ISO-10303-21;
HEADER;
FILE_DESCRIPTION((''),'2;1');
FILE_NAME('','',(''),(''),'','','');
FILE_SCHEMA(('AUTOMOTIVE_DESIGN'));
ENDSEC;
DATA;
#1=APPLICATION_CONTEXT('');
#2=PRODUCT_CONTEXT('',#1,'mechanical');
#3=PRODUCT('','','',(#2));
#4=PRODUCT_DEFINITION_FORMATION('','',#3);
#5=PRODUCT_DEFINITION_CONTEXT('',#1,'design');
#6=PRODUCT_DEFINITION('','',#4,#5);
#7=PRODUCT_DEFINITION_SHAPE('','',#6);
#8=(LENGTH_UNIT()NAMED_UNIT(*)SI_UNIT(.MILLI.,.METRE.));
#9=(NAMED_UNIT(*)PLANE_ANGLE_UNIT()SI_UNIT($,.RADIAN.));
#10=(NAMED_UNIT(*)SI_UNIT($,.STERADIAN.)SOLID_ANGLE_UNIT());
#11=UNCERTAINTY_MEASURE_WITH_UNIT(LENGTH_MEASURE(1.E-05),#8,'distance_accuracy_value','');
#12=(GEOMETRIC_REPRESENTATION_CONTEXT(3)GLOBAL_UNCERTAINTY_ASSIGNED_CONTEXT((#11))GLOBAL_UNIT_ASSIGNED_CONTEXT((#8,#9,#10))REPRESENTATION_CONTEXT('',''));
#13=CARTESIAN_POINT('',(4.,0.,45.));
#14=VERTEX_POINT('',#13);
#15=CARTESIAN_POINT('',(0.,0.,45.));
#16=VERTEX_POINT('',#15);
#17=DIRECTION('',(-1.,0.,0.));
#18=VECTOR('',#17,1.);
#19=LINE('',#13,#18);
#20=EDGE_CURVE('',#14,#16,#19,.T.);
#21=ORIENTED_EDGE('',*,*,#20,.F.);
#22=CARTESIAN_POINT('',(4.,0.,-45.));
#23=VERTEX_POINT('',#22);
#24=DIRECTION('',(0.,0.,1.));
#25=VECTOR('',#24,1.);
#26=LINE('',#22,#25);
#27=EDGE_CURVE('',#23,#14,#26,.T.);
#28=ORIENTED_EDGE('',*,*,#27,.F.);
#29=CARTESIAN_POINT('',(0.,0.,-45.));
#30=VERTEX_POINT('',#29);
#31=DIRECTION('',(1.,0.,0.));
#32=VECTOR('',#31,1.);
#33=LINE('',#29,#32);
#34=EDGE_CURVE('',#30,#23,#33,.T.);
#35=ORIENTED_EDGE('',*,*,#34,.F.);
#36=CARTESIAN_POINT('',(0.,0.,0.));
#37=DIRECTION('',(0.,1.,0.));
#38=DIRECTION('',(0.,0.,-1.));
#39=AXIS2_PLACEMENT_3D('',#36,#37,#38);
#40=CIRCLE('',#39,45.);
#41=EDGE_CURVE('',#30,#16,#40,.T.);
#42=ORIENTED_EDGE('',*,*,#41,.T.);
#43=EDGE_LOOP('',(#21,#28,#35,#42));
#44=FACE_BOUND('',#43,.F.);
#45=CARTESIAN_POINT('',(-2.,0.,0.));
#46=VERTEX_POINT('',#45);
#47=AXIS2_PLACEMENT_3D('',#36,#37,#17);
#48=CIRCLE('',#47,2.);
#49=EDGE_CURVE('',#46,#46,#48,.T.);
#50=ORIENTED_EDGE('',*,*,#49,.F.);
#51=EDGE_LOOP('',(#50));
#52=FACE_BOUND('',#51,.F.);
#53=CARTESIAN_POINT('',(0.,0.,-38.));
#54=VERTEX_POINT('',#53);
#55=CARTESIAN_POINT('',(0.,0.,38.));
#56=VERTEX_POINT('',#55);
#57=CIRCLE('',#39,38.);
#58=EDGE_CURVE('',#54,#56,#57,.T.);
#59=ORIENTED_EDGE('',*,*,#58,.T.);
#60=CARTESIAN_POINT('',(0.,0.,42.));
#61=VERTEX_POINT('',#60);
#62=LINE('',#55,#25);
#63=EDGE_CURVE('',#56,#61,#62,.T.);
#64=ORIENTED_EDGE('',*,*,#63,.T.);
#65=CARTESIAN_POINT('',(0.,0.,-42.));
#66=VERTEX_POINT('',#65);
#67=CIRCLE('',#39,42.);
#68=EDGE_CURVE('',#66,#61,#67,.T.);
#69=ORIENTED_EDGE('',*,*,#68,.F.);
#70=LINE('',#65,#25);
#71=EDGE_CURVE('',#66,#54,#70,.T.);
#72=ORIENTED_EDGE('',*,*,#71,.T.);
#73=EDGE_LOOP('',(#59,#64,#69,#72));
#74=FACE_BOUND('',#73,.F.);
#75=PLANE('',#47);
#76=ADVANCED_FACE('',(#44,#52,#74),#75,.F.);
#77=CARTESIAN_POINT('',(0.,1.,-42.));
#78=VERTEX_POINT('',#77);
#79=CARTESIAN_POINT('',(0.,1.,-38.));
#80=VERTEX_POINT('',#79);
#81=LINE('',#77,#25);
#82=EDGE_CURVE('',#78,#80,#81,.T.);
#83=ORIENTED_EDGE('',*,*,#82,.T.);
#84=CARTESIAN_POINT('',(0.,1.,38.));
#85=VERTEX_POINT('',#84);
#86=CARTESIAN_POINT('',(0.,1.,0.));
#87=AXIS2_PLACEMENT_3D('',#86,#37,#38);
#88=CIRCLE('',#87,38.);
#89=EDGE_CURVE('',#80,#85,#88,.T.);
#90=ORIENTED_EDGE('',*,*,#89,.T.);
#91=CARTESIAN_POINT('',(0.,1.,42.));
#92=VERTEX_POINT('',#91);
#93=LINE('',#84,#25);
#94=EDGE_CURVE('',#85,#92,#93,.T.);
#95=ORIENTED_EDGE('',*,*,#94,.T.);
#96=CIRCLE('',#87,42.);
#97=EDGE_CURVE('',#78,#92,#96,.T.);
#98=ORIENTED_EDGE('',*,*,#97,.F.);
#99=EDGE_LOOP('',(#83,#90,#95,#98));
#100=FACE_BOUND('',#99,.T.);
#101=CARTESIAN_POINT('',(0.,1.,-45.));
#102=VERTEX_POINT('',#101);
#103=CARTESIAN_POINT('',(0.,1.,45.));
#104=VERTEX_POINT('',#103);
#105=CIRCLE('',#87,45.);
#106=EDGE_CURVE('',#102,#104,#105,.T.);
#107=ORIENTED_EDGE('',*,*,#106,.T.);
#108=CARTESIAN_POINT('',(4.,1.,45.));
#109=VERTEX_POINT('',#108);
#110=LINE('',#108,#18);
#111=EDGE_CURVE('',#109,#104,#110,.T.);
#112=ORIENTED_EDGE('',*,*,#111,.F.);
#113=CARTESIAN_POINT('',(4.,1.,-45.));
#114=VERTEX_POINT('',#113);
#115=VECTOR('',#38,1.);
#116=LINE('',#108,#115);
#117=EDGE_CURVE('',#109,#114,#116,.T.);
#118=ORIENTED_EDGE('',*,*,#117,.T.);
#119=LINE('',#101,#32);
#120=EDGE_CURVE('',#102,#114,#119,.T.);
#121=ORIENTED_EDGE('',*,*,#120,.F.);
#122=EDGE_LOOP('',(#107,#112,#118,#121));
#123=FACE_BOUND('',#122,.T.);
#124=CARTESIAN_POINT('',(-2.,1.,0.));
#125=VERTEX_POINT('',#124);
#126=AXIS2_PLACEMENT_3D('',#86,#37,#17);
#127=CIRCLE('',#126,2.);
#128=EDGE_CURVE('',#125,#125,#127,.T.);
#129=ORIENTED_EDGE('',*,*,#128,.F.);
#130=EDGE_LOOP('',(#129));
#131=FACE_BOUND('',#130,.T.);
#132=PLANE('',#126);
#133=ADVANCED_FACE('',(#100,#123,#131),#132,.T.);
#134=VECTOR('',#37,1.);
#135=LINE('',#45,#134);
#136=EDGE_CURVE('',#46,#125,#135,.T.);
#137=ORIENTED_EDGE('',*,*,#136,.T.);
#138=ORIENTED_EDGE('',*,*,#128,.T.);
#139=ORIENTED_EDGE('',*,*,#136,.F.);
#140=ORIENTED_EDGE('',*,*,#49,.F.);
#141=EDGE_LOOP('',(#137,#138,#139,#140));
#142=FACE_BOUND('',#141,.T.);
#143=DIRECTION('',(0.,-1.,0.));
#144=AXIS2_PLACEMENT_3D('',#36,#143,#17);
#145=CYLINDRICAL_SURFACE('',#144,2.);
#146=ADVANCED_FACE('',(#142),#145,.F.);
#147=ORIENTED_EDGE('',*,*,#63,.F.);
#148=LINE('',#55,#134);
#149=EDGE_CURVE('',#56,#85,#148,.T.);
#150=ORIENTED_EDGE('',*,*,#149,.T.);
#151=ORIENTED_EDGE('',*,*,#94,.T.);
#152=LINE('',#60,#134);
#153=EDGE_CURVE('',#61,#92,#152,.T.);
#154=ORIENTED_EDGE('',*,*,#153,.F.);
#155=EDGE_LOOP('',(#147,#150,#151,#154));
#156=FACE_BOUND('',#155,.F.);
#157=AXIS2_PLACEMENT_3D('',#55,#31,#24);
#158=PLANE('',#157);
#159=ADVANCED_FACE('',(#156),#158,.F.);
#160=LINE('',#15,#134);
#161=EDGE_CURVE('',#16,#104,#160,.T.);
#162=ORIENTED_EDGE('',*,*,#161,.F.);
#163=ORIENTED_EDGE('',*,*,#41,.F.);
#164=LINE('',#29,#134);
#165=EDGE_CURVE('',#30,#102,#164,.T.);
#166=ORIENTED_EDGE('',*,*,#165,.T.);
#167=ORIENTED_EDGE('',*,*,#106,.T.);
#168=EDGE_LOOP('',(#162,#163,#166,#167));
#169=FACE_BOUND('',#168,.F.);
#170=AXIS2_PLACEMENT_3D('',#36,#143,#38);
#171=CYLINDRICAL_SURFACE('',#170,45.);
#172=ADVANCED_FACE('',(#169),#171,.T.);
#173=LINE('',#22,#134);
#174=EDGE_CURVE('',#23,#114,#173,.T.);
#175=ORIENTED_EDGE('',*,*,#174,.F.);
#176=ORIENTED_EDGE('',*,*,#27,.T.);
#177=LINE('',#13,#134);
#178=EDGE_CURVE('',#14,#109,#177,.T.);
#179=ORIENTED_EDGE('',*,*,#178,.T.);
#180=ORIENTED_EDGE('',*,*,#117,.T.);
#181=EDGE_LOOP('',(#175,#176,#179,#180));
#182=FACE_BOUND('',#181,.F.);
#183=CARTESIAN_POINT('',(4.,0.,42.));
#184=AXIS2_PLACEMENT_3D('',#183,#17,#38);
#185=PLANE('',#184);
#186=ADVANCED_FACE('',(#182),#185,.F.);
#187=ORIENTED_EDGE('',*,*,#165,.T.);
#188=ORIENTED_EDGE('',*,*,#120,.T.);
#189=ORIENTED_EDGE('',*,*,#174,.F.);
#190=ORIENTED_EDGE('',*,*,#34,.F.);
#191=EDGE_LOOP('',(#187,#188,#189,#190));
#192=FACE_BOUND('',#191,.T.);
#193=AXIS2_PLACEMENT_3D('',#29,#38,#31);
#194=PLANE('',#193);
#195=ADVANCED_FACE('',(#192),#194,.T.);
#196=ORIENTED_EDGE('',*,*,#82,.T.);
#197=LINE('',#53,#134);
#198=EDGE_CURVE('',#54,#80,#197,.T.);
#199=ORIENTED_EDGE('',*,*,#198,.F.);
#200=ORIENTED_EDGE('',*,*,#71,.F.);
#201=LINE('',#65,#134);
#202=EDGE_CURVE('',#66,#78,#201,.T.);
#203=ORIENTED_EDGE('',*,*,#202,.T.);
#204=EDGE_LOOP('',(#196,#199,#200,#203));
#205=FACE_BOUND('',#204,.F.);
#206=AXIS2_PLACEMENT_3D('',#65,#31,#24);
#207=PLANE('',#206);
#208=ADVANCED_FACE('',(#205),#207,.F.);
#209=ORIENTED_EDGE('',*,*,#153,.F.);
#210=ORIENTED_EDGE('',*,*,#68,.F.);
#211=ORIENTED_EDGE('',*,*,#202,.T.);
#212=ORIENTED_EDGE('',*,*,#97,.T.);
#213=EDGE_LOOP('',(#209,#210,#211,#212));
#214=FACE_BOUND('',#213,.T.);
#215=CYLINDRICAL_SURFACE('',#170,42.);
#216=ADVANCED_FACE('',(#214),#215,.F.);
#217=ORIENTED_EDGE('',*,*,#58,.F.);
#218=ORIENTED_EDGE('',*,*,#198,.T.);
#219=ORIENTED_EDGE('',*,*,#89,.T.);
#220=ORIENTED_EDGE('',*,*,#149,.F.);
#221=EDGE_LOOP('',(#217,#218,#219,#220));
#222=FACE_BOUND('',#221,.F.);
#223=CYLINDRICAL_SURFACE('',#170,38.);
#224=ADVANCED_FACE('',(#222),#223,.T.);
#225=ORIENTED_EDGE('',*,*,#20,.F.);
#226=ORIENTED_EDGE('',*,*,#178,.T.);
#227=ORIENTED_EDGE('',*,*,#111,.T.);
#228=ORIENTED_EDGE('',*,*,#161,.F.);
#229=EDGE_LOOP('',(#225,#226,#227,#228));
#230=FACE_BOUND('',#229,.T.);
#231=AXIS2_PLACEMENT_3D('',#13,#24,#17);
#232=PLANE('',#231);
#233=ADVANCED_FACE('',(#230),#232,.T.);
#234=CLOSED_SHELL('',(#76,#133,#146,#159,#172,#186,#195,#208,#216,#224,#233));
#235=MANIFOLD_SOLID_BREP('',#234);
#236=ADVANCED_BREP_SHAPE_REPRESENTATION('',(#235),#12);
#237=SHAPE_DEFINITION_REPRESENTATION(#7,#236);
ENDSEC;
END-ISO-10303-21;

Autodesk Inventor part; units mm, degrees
ref_plane "YZ Plane" through (0, 0, 0) normal (1, 0, 0) x (0, 1, 0)
ref_plane "XZ Plane" through (0, 0, 0) normal (0, 1, 0) x (-1, 0, 0)
ref_plane "XY Plane" through (0, 0, 0) normal (0, 0, 1) x (1, 0, 0)
sketch "Sketch1" plane through (0, 0, 0) normal (0, 1, 0) x (-1, 0, 0)
  circle A0 centre (0, 0) radius 2
  arc A1 (0, -38) -> (0, 38) centre (0, 0) ccw
  arc A2 (0, -42) -> (0, 42) centre (0, 0) ccw
  line L0 (0, 42) -> (-4, 42)
  line L1 (0, 42) -> (4, 42) construction
  line L2 (-4, 42) -> (-4, -42)
  line L3 (-4, -42) -> (0, -42)
  line L4 (0, 38) -> (0, 42)
  line L5 (0, -42) -> (0, -38)
  arc A3 (0, -45) -> (0, 45) centre (0, 0) ccw
  line L6 (0, -45) -> (-4, -45)
  line L7 (0, -45) -> (4, -45) construction
  line L8 (-4, -45) -> (-4, -42)
  line L9 (-4, 42) -> (-4, 45)
  line L10 (-4, 42) -> (-1, 42) construction
  line L11 (-4, 45) -> (0, 45)
  dimension "d0" = 4
  dimension "d1" = 76
  dimension "d2" = 38
  dimension "d3" = 84
  dimension "d4" = 4
  dimension "d5" = 180
  dimension "d6" = 84
  dimension "d7" = 90
  dimension "d8" = 45
  dimension "d9" = 4
  dimension "d10" = 180
  dimension "d11" = 3
  dimension "d12" = 90
extrude "Extrusion1" add sketch "Sketch1" along normal blind 1 contours L5 L3 L2 L0 L4 A1 | A2 L0 L9 L11 A3 L6 L8 L3
properties part number "trail 12"
